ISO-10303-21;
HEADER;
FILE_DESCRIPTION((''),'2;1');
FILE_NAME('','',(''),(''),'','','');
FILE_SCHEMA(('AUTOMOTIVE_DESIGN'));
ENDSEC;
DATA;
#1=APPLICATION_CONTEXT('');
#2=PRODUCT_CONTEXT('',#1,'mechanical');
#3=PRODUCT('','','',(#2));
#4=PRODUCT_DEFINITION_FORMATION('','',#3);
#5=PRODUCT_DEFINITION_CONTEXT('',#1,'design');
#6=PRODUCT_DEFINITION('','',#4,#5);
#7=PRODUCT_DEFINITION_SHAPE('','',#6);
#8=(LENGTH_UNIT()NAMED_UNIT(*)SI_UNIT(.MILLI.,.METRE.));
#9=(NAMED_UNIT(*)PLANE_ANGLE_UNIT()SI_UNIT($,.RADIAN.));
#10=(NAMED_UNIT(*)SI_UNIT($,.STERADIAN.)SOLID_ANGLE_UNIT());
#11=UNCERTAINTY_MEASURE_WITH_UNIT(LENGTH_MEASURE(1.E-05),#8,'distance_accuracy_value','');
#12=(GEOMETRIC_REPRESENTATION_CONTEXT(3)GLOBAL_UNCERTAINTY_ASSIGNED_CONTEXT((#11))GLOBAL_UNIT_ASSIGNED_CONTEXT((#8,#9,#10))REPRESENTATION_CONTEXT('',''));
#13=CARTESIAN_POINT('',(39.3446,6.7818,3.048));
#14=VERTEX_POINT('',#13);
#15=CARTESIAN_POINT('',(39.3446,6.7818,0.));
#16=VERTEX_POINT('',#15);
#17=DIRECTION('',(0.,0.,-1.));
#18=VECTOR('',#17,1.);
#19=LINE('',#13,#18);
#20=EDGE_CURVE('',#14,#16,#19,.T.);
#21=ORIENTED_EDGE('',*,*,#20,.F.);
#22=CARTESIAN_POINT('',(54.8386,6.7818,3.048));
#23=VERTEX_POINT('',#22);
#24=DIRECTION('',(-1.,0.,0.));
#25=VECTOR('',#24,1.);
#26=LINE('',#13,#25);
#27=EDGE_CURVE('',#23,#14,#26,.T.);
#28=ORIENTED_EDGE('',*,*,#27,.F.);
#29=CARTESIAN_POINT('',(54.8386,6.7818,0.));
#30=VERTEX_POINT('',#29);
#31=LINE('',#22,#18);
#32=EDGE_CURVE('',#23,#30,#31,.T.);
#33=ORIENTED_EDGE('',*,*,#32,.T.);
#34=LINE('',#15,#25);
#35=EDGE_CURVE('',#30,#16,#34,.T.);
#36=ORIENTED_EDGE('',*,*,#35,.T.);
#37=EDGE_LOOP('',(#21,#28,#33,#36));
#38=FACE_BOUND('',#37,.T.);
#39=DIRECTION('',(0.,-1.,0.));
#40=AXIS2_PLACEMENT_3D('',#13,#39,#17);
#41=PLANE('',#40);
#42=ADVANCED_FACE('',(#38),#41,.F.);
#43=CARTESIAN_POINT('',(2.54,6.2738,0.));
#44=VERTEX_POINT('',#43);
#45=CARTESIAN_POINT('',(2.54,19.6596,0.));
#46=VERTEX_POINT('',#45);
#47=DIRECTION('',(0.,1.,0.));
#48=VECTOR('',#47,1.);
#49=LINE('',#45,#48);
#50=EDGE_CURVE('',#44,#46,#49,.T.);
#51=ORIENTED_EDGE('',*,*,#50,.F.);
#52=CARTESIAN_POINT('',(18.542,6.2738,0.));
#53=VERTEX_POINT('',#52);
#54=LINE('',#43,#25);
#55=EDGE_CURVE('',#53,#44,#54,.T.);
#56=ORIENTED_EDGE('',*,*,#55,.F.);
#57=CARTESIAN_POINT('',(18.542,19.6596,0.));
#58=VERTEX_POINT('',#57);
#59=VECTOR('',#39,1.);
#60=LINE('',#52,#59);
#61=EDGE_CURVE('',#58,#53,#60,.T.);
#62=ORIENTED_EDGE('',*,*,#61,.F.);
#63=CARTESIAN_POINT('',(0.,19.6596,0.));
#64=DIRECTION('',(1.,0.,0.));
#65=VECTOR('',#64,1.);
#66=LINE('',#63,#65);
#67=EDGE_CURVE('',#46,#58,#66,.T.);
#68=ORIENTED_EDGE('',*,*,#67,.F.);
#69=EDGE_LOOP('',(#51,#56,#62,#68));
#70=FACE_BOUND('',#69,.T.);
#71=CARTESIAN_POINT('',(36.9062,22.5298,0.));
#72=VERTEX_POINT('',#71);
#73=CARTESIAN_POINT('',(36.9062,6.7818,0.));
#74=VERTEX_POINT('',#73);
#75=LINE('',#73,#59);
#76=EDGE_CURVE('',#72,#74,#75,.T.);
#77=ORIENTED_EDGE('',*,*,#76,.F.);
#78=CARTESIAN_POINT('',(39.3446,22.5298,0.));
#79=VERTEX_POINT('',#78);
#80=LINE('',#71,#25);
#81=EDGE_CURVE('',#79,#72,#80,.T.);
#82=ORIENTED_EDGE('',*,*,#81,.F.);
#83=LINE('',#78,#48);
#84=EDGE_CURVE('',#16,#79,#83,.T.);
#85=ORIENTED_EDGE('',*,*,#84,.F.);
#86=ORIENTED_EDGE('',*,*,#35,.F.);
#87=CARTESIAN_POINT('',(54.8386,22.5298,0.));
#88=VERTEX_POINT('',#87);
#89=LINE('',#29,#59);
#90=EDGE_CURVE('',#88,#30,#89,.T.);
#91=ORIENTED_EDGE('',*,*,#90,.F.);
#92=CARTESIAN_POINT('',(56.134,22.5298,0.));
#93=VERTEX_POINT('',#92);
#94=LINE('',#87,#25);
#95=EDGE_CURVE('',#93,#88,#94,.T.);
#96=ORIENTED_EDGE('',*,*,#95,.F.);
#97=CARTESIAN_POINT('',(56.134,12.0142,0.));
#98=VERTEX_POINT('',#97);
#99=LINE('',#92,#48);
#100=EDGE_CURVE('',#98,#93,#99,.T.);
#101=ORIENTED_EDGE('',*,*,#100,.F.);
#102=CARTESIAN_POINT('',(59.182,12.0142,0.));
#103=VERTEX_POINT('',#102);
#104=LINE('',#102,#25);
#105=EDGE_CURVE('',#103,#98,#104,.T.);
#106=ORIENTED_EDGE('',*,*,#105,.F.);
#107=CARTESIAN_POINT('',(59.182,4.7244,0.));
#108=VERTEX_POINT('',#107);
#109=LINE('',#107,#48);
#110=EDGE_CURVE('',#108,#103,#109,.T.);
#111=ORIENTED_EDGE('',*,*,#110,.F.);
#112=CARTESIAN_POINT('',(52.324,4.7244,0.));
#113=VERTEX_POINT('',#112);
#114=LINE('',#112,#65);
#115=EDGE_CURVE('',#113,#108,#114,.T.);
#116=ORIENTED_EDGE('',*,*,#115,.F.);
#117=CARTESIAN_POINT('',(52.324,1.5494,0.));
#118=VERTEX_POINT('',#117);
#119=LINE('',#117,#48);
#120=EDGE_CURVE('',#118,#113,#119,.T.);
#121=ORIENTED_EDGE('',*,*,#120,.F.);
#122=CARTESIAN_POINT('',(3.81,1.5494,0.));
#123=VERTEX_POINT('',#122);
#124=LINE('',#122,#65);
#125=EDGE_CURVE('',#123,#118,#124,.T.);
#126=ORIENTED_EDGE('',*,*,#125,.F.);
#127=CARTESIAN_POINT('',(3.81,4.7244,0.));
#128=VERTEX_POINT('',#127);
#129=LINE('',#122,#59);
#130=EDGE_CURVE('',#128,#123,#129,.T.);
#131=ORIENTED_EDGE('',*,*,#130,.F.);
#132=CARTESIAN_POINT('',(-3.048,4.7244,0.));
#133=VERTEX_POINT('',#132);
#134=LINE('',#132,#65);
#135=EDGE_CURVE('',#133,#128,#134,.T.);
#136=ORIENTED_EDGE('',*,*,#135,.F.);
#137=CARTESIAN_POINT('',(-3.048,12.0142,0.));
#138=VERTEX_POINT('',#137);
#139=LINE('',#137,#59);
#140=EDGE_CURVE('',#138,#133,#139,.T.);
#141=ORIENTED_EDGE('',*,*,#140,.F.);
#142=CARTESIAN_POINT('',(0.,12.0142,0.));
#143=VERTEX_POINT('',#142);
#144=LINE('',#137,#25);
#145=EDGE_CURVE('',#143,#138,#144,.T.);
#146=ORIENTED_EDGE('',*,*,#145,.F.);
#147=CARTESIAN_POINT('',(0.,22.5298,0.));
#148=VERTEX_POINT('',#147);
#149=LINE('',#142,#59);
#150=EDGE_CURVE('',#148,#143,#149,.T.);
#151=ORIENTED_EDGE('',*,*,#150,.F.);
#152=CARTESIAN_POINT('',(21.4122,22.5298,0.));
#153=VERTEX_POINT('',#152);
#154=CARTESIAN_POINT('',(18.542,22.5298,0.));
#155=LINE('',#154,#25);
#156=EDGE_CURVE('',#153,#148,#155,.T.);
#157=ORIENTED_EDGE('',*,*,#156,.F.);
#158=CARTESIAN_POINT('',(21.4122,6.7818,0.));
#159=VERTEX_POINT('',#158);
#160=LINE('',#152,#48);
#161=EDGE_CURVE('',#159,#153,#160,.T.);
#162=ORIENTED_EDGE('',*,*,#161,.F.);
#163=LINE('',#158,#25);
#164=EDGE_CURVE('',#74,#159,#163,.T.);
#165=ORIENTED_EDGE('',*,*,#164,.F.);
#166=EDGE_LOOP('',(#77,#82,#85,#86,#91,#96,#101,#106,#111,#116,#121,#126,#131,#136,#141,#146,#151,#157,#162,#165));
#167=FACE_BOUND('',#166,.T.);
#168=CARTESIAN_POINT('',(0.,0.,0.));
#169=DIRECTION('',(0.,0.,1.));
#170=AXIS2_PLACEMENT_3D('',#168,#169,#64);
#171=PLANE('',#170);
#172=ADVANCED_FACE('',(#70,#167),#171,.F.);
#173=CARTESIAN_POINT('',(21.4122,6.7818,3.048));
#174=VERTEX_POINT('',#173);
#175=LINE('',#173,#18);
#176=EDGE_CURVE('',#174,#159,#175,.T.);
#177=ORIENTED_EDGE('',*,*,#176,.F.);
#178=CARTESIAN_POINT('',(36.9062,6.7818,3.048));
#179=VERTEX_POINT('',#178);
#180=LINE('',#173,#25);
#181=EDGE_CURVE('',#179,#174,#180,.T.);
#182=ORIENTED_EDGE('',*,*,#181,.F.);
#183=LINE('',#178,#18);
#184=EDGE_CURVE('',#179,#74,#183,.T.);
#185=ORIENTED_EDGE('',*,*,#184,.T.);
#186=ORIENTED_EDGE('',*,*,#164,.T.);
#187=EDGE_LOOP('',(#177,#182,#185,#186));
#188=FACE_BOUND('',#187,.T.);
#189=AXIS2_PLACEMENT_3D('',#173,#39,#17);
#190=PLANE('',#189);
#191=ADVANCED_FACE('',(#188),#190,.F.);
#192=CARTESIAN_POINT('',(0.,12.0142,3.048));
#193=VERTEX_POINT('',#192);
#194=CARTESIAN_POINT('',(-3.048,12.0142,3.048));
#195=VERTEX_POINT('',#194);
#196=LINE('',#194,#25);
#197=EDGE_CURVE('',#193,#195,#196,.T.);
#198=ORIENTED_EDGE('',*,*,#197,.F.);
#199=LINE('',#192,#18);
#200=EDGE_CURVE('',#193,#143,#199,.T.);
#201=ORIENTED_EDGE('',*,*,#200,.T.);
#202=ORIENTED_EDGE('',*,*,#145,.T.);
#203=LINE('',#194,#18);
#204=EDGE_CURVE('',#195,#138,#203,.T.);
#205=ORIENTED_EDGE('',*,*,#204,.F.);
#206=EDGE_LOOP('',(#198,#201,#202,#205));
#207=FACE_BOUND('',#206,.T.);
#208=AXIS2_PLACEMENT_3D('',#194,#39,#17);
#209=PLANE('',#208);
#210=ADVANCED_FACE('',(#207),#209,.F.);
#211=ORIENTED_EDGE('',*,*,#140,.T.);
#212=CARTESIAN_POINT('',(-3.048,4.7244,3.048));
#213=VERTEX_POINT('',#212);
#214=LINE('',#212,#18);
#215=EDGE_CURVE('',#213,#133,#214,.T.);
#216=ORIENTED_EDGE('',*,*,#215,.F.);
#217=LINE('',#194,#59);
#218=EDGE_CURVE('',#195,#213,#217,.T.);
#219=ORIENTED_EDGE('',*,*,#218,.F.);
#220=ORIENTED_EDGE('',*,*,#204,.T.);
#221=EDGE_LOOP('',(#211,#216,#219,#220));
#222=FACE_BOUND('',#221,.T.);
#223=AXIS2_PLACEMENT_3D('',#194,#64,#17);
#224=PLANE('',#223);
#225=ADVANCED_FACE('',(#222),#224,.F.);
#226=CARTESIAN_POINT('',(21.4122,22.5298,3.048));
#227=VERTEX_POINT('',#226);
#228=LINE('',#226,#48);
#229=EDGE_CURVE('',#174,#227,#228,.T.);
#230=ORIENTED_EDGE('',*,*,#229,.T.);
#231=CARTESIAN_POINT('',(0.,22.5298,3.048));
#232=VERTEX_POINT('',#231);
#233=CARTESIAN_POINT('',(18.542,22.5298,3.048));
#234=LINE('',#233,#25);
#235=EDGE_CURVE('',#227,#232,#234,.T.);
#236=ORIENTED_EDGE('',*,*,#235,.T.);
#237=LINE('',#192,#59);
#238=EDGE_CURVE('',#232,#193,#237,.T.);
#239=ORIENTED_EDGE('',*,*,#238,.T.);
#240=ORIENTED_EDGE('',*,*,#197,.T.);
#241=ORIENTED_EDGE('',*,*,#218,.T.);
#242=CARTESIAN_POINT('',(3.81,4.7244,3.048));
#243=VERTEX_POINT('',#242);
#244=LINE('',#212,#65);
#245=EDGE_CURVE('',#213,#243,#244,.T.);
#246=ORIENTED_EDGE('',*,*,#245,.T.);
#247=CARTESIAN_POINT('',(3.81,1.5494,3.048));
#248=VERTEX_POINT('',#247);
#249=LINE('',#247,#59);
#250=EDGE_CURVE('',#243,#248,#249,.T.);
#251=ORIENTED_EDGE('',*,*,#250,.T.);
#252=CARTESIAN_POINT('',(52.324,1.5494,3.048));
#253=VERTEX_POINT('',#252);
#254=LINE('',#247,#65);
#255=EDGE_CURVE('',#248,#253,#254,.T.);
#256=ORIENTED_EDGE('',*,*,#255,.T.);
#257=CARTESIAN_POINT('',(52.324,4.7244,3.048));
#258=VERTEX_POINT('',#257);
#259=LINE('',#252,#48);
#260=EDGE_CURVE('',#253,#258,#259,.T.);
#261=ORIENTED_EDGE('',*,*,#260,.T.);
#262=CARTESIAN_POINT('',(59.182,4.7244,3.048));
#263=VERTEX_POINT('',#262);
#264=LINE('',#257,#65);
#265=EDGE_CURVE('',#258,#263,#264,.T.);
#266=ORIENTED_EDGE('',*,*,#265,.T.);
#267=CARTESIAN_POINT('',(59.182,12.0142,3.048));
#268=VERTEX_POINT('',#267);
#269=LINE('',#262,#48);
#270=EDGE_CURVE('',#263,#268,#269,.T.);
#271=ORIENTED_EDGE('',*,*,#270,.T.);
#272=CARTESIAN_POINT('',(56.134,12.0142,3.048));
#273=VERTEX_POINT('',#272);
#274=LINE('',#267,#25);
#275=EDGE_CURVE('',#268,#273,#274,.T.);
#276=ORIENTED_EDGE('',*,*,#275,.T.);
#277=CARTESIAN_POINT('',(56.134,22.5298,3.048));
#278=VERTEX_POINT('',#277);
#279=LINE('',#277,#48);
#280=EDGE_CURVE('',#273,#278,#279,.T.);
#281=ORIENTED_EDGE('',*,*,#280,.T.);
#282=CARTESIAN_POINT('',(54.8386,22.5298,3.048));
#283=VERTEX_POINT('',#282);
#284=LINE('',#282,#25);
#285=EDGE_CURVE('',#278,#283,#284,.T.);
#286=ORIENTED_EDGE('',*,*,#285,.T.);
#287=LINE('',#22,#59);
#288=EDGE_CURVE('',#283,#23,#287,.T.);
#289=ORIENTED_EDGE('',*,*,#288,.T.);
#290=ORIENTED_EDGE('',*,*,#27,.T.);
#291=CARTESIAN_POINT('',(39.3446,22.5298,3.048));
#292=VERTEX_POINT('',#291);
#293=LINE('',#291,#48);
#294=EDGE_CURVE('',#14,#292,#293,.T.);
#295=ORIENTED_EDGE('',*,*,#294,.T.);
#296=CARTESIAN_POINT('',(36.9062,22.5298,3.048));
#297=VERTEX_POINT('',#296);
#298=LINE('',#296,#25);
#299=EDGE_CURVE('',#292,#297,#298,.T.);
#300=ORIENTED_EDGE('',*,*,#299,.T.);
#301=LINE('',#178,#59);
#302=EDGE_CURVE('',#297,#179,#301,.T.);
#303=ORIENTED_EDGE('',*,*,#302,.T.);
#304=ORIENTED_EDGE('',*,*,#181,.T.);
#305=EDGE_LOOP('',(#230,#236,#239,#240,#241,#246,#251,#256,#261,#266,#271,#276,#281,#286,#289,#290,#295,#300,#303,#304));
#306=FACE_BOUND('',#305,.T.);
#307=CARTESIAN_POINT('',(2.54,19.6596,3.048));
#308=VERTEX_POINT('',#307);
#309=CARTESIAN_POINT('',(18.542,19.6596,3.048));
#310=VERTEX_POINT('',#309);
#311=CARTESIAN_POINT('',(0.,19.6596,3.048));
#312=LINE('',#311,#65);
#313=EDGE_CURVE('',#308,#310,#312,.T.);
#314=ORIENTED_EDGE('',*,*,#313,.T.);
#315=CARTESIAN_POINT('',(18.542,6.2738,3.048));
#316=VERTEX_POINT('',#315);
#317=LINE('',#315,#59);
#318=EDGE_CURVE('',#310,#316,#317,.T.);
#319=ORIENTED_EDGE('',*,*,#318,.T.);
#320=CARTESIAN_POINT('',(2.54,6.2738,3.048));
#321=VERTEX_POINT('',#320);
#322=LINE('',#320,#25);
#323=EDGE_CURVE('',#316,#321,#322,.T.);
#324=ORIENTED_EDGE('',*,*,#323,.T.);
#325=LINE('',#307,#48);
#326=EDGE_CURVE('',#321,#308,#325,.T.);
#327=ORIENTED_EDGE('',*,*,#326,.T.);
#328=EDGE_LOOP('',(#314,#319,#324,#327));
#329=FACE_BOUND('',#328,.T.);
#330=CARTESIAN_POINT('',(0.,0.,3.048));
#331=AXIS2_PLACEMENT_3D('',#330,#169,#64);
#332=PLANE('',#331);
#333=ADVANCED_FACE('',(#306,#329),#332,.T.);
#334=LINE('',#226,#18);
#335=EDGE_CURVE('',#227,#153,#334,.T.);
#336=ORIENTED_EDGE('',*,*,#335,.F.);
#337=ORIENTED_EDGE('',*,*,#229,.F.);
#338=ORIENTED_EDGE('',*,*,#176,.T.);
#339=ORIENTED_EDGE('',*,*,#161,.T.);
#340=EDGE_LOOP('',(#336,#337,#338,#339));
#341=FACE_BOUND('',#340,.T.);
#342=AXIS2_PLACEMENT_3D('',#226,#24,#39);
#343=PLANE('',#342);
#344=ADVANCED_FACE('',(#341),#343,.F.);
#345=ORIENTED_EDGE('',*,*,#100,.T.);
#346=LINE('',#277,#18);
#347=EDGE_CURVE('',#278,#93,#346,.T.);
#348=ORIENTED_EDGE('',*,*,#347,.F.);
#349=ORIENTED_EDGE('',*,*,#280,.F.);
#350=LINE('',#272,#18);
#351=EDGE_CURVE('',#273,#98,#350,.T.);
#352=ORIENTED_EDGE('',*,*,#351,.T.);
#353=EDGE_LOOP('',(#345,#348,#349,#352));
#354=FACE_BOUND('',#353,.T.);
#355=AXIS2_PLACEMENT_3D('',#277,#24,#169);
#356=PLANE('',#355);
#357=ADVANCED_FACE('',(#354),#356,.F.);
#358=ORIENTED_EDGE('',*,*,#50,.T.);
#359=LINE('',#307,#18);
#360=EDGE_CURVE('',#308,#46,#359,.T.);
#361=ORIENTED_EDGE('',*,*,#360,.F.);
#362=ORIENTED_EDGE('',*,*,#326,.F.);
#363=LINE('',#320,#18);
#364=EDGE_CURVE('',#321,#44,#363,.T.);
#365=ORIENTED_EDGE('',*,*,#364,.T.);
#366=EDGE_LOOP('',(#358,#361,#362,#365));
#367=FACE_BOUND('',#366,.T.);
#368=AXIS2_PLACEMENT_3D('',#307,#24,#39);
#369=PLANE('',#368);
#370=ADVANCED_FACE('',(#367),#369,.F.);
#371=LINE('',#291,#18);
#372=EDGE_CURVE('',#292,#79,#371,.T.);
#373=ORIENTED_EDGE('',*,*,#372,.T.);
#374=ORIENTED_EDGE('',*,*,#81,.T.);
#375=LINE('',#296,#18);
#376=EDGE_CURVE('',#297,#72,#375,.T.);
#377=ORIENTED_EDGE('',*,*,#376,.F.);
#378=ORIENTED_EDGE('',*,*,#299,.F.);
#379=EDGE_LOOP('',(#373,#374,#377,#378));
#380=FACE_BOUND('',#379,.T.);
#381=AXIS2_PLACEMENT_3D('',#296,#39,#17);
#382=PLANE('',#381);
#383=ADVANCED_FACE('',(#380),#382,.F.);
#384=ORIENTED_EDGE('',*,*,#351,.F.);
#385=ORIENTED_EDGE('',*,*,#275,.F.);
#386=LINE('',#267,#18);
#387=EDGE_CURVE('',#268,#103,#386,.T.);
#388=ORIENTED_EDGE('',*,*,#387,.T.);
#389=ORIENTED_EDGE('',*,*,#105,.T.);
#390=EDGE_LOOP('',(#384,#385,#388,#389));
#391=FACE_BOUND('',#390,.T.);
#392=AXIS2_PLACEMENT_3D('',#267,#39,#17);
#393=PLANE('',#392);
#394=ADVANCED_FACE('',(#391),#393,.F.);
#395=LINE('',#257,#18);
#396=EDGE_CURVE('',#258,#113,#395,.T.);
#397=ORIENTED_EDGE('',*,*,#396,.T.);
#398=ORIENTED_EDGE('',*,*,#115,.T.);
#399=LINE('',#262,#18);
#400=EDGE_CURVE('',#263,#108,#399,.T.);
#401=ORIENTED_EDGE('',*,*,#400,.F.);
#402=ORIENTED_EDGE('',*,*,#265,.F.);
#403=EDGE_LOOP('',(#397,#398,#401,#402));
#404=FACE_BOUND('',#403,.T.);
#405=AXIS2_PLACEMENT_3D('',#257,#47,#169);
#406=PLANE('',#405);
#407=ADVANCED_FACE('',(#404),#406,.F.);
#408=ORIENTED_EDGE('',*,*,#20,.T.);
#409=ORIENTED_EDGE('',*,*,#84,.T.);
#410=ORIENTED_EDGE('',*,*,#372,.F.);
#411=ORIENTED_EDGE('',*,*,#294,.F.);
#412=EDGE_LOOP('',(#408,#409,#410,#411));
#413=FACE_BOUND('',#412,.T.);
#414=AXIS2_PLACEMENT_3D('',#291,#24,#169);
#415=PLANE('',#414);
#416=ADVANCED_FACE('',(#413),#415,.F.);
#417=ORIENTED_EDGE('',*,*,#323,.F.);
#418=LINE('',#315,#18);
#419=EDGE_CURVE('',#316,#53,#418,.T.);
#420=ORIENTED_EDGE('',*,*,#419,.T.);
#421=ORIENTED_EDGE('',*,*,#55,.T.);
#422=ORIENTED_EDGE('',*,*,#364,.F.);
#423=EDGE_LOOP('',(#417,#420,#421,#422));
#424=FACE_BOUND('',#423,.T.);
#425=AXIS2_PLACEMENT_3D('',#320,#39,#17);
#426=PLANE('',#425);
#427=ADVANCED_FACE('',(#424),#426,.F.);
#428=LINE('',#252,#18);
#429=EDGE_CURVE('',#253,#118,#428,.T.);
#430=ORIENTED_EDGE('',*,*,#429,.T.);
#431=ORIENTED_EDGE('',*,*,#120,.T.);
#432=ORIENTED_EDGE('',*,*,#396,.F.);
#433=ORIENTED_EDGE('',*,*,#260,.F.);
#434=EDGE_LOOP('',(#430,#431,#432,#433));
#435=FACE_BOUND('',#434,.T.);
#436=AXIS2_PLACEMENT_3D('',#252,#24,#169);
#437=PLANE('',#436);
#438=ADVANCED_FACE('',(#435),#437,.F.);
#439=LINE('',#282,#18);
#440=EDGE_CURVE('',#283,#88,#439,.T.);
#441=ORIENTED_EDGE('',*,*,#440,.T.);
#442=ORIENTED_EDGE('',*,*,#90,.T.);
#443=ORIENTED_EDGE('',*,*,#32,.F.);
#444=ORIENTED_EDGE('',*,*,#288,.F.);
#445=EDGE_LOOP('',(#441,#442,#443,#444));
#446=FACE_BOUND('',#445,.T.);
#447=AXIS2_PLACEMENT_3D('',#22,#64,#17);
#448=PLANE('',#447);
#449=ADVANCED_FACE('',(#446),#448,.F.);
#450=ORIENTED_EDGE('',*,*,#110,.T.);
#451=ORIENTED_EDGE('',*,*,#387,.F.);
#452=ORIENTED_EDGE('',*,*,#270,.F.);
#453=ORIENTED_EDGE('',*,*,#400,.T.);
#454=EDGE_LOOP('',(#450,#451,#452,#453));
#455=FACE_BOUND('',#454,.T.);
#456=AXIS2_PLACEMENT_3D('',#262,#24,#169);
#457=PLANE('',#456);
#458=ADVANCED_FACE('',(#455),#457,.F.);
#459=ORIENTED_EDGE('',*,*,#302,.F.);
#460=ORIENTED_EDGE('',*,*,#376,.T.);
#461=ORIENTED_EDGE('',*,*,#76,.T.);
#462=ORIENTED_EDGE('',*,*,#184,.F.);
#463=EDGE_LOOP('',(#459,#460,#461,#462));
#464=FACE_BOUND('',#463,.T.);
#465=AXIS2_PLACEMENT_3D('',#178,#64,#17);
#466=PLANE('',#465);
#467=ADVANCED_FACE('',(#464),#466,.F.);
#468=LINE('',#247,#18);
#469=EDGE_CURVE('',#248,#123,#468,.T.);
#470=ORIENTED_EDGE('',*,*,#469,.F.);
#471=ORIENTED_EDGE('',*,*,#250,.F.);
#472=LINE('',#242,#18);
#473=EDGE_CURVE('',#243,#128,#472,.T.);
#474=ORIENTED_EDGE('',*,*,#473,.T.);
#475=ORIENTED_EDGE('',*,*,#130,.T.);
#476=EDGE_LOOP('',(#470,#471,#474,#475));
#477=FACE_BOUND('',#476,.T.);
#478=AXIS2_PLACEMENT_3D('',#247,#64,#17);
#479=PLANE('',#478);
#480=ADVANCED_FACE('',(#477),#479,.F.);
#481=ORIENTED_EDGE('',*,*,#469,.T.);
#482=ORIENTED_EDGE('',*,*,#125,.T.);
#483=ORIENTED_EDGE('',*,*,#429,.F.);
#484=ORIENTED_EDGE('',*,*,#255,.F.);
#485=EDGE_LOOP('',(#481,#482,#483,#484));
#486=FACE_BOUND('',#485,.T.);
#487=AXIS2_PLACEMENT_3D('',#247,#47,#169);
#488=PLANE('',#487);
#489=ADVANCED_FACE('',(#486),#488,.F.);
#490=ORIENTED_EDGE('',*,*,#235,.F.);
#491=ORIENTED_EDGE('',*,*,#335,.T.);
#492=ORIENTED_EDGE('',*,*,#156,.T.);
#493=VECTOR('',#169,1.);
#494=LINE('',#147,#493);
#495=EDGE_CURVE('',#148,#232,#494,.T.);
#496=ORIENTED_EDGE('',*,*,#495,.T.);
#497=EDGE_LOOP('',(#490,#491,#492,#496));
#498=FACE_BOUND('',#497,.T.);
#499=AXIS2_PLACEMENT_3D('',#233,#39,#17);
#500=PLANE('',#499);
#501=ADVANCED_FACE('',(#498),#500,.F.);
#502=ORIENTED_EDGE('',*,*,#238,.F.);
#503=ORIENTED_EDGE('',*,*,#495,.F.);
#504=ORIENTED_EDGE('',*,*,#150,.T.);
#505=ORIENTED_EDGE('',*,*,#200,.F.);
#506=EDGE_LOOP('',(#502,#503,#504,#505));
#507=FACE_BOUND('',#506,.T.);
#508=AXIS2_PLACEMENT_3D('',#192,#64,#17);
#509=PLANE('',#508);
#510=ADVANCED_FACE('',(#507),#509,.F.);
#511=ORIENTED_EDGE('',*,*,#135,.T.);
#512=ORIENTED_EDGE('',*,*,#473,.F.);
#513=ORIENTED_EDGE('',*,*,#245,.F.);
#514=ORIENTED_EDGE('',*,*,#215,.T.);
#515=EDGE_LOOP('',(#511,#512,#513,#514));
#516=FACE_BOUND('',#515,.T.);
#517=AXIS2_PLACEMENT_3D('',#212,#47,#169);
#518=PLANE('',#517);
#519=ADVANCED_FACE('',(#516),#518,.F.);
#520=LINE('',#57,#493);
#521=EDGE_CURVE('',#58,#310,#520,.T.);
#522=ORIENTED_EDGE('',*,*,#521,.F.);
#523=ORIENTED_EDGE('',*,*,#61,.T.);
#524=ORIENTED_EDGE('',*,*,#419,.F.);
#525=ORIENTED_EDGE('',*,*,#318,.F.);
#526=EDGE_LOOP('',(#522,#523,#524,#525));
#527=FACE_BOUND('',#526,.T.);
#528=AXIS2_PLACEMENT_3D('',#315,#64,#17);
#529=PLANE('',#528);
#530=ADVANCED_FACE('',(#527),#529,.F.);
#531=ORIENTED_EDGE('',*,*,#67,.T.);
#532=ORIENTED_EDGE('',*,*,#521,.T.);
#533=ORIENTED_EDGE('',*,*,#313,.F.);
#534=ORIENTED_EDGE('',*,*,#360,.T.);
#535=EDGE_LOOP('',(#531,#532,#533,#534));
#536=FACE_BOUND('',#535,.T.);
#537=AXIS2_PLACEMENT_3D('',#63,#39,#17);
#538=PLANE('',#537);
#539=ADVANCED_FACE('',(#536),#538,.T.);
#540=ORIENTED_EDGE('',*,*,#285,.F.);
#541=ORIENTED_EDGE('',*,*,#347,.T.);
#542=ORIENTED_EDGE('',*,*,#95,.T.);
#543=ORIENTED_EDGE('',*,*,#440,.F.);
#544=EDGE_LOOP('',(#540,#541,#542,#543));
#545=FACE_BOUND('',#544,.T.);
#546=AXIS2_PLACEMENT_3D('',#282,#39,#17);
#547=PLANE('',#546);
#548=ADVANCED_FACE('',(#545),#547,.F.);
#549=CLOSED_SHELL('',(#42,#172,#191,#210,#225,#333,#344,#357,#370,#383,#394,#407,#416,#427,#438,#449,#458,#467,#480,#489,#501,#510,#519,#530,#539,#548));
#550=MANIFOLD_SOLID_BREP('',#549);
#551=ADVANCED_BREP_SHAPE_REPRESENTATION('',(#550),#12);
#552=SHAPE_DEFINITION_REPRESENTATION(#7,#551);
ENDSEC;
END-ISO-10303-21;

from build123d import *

# Parameters (mm, degrees)
BOSS_EXTRUDE1_DEPTH = 3.048
SKETCH2_W           = 18.542
SKETCH2_H           = 2.8702
BOSS_EXTRUDE2_DEPTH = 3.048


with BuildPart() as part:
    # Sketch1 → Boss-Extrude1 (new body)
    with BuildSketch(Plane.XY):
        Polygon((-3.048, 12.0142), (0, 12.0142), (0, 19.6596), (2.54, 19.6596), (2.54, 6.2738), (18.542, 6.2738), (18.542, 22.5298), (21.4122, 22.5298), (21.4122, 6.7818), (36.9062, 6.7818), (36.9062, 22.5298), (39.3446, 22.5298), (39.3446, 6.7818), (54.8386, 6.7818), (54.8386, 22.5298), (56.134, 22.5298), (56.134, 12.0142), (59.182, 12.0142), (59.182, 4.7244), (52.324, 4.7244), (52.324, 1.5494), (3.81, 1.5494), (3.81, 4.7244), (-3.048, 4.7244), align=None)
    extrude(amount=BOSS_EXTRUDE1_DEPTH)

    # Sketch2 → Boss-Extrude2 (add)
    with BuildSketch(Plane.XY.offset(3.048)):
        with Locations((9.271, 21.0947)):
            Rectangle(SKETCH2_W, SKETCH2_H)
    extrude(amount=-BOSS_EXTRUDE2_DEPTH)


solid = part.part
